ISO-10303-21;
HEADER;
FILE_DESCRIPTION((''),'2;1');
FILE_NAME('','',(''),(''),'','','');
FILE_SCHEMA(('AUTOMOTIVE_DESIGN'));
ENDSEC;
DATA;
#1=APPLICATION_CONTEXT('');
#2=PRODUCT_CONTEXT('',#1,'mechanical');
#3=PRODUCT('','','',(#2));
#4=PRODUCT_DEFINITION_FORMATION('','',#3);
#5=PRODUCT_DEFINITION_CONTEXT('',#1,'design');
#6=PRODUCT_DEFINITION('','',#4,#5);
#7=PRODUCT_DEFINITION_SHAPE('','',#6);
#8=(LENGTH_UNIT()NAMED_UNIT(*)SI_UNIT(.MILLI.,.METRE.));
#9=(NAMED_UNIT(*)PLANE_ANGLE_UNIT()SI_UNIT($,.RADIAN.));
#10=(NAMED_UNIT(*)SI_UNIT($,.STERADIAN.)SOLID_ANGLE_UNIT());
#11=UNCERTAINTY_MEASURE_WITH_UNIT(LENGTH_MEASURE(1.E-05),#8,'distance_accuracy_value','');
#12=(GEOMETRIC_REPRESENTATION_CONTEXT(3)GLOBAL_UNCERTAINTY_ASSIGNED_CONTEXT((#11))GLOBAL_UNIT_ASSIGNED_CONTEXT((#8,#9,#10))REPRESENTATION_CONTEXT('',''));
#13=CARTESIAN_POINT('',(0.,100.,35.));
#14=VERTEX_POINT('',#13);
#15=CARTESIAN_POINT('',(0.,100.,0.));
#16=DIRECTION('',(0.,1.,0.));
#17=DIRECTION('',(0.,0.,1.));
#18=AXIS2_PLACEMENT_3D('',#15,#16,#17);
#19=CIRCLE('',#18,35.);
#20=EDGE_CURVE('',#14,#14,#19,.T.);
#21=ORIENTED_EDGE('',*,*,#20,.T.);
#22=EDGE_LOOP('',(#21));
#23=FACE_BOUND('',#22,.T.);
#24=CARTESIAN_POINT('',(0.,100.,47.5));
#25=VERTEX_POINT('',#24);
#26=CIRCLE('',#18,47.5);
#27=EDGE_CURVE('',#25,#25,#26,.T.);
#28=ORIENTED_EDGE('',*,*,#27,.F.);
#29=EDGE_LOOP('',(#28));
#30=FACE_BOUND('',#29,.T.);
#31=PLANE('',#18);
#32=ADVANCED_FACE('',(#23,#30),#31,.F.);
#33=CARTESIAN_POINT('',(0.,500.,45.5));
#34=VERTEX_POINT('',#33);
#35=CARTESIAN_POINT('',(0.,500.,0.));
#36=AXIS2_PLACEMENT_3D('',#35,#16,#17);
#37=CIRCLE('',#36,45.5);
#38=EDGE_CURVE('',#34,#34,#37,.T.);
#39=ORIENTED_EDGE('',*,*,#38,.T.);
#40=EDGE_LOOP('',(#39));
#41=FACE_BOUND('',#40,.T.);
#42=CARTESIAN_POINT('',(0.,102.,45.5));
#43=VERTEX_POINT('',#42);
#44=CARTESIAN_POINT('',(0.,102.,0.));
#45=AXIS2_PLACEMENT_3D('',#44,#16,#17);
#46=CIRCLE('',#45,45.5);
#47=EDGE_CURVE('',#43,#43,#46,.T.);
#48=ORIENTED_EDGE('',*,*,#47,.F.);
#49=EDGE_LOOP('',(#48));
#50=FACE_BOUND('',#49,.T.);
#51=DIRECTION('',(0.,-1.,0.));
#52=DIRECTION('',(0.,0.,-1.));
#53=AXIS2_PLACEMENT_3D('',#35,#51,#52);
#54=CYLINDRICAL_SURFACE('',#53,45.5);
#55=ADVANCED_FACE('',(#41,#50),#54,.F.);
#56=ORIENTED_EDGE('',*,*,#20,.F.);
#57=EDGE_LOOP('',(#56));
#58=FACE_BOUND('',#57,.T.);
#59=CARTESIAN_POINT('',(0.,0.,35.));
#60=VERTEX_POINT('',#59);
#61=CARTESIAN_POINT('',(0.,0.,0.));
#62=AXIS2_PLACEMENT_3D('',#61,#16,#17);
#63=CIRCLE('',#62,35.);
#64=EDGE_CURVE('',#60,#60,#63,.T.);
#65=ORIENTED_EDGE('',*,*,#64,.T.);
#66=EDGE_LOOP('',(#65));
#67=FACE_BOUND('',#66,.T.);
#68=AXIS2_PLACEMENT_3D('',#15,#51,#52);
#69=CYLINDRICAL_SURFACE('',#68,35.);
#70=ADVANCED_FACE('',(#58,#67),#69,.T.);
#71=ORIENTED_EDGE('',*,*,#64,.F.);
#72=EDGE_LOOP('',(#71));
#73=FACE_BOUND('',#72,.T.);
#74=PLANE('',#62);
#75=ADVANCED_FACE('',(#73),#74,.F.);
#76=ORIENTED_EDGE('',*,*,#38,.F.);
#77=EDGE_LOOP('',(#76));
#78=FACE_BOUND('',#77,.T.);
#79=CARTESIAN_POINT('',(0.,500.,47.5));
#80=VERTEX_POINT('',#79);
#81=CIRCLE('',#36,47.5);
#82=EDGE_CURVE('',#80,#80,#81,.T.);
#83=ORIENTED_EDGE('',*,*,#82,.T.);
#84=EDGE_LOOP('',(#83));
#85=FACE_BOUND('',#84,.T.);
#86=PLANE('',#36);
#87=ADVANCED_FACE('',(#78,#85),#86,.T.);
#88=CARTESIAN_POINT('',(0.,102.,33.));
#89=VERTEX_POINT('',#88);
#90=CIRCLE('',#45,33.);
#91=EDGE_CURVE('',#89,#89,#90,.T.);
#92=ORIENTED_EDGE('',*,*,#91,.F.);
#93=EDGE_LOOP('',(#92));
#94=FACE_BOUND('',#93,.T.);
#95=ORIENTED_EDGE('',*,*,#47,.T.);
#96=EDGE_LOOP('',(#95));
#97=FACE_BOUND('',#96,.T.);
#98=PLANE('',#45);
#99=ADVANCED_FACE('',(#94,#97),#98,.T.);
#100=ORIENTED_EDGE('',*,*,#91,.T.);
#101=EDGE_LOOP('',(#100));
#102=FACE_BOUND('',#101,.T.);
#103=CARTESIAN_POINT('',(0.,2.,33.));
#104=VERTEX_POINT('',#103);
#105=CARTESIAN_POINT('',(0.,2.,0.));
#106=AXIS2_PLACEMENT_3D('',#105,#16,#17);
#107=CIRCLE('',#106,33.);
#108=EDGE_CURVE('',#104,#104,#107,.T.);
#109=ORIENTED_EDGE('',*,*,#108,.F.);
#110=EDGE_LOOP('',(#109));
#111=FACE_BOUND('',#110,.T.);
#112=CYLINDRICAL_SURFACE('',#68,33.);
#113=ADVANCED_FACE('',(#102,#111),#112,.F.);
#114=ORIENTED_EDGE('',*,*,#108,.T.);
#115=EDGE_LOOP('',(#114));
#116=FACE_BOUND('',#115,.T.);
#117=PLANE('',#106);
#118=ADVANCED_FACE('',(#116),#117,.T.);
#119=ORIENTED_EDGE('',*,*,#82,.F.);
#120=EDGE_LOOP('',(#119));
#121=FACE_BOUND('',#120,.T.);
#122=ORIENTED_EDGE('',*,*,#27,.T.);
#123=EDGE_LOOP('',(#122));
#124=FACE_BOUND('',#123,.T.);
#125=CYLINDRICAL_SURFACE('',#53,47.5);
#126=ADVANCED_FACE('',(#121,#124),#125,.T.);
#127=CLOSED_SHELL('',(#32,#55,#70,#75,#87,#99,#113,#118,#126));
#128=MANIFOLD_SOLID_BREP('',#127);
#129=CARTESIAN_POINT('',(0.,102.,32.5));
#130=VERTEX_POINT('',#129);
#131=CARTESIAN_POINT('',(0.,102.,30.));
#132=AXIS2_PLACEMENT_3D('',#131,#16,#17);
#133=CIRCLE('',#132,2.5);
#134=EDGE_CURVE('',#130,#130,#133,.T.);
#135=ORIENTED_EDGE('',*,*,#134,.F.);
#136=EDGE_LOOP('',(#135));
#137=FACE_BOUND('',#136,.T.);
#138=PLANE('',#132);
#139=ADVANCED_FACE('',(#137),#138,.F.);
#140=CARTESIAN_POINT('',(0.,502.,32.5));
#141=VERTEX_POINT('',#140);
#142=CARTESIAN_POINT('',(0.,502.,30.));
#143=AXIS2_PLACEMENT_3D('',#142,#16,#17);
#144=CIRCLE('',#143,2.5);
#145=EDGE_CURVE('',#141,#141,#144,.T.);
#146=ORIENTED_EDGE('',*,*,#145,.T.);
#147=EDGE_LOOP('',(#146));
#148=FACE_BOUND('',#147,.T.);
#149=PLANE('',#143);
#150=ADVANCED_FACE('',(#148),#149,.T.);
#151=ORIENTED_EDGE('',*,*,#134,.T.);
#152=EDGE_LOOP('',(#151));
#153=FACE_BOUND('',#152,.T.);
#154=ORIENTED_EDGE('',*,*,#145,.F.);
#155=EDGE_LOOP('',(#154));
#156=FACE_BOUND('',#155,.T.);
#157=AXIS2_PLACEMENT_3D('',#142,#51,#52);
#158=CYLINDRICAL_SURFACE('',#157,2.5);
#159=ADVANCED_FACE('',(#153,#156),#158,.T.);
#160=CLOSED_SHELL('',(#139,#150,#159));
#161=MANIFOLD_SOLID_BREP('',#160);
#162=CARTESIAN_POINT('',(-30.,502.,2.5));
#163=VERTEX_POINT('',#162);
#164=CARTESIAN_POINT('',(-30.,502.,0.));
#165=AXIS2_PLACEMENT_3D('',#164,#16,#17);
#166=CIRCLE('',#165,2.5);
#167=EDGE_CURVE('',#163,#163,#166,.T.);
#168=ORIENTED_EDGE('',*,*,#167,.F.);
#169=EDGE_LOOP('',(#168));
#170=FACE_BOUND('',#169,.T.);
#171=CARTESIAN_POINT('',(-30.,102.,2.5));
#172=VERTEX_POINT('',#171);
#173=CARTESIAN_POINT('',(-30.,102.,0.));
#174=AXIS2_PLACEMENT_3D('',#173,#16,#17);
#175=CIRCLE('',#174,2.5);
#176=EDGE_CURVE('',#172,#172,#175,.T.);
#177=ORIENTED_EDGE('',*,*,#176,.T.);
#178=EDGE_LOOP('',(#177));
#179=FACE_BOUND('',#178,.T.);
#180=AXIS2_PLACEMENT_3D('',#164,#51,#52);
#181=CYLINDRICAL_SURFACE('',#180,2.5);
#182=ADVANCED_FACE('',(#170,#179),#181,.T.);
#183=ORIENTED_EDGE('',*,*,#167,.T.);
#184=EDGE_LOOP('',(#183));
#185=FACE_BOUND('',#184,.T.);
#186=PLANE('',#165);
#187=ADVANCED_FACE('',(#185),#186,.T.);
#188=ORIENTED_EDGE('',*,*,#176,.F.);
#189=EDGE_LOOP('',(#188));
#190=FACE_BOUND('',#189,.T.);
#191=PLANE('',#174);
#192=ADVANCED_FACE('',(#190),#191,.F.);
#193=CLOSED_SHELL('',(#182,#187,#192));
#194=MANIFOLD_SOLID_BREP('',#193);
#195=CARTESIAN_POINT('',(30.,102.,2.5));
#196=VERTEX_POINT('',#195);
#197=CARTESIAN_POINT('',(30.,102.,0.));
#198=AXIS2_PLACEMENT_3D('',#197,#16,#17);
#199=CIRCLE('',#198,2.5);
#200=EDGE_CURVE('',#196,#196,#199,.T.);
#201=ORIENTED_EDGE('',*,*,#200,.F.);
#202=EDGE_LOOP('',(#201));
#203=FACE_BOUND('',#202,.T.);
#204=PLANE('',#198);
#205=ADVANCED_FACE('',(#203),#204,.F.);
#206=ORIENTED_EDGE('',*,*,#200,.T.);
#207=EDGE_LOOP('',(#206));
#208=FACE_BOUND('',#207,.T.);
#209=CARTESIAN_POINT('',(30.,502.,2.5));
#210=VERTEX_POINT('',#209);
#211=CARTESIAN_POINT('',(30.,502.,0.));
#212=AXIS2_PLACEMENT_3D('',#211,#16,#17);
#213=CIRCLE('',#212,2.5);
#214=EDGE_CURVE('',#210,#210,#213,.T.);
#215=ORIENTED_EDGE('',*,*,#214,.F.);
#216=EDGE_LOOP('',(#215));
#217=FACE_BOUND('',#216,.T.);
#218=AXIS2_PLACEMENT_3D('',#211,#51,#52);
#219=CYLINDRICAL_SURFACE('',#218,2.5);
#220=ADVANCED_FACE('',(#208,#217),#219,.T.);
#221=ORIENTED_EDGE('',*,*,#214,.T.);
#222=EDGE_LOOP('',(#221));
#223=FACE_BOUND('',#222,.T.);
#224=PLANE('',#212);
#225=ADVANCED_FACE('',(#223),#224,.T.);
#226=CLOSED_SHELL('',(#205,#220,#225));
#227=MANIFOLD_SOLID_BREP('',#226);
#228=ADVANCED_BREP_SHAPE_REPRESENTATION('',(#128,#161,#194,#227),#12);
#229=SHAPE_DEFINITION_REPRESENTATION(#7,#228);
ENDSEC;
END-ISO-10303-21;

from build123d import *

# Parameters (mm, degrees)
SKETCH1_R             = 35
BOSS_EXTRUDE1_DEPTH   = 100
SKETCH2_R             = 47.5
BOSS_EXTRUDE2_DEPTH   = 400
SHELL1_T              = -2
SKETCH3_R             = 2.5
BOSS_EXTRUDE3_DEPTH   = 400
BOSS_EXTRUDE3_2_DEPTH = 400
BOSS_EXTRUDE3_3_DEPTH = 400


with BuildPart() as part:
    # Sketch1 → Boss-Extrude1 (new body)
    with BuildSketch(Plane(origin=(0, 0, 0), x_dir=(1, 0, 0), z_dir=(0, 1, 0))):
        with Locations(Location((0, 0, 0), (0, 0, 270))):
            Circle(SKETCH1_R)
    extrude(amount=BOSS_EXTRUDE1_DEPTH)

    # Sketch2 → Boss-Extrude2 (add)
    with BuildSketch(Plane(origin=(0, 100, 0), x_dir=(1, 0, 0), z_dir=(0, 1, 0))):
        with Locations(Location((0, 0, 0), (0, 0, 270))):
            Circle(SKETCH2_R)
    extrude(amount=BOSS_EXTRUDE2_DEPTH)

    # Shell1
    shell1_openings = [part.faces().sort_by_distance(p)[0] for p in [
        (0, 500, 0),
    ]]
    offset(amount=SHELL1_T, openings=shell1_openings, kind=Kind.INTERSECTION)


with BuildPart() as body_2:
    # Sketch3 → Boss-Extrude3 (new body)
    with BuildSketch(Plane(origin=(0, 102, 0), x_dir=(1, 0, 0), z_dir=(0, 1, 0))):
        with Locations(Location((0, -30, 0), (0, 0, 270))):
            Circle(SKETCH3_R)
    extrude(amount=BOSS_EXTRUDE3_DEPTH)


with BuildPart() as body_3:
    # Sketch3 → Boss-Extrude3 2 (new body)
    with BuildSketch(Plane(origin=(0, 102, 0), x_dir=(1, 0, 0), z_dir=(0, 1, 0))):
        with Locations(Location((-30, 0, 0), (0, 0, 270))):
            Circle(SKETCH3_R)
    extrude(amount=BOSS_EXTRUDE3_2_DEPTH)


with BuildPart() as body_4:
    # Sketch3 → Boss-Extrude3 3 (new body)
    with BuildSketch(Plane(origin=(0, 102, 0), x_dir=(1, 0, 0), z_dir=(0, 1, 0))):
        with Locations(Location((30, 0, 0), (0, 0, 270))):
            Circle(SKETCH3_R)
    extrude(amount=BOSS_EXTRUDE3_3_DEPTH)


solid = Compound([part.part, body_2.part, body_3.part, body_4.part])
